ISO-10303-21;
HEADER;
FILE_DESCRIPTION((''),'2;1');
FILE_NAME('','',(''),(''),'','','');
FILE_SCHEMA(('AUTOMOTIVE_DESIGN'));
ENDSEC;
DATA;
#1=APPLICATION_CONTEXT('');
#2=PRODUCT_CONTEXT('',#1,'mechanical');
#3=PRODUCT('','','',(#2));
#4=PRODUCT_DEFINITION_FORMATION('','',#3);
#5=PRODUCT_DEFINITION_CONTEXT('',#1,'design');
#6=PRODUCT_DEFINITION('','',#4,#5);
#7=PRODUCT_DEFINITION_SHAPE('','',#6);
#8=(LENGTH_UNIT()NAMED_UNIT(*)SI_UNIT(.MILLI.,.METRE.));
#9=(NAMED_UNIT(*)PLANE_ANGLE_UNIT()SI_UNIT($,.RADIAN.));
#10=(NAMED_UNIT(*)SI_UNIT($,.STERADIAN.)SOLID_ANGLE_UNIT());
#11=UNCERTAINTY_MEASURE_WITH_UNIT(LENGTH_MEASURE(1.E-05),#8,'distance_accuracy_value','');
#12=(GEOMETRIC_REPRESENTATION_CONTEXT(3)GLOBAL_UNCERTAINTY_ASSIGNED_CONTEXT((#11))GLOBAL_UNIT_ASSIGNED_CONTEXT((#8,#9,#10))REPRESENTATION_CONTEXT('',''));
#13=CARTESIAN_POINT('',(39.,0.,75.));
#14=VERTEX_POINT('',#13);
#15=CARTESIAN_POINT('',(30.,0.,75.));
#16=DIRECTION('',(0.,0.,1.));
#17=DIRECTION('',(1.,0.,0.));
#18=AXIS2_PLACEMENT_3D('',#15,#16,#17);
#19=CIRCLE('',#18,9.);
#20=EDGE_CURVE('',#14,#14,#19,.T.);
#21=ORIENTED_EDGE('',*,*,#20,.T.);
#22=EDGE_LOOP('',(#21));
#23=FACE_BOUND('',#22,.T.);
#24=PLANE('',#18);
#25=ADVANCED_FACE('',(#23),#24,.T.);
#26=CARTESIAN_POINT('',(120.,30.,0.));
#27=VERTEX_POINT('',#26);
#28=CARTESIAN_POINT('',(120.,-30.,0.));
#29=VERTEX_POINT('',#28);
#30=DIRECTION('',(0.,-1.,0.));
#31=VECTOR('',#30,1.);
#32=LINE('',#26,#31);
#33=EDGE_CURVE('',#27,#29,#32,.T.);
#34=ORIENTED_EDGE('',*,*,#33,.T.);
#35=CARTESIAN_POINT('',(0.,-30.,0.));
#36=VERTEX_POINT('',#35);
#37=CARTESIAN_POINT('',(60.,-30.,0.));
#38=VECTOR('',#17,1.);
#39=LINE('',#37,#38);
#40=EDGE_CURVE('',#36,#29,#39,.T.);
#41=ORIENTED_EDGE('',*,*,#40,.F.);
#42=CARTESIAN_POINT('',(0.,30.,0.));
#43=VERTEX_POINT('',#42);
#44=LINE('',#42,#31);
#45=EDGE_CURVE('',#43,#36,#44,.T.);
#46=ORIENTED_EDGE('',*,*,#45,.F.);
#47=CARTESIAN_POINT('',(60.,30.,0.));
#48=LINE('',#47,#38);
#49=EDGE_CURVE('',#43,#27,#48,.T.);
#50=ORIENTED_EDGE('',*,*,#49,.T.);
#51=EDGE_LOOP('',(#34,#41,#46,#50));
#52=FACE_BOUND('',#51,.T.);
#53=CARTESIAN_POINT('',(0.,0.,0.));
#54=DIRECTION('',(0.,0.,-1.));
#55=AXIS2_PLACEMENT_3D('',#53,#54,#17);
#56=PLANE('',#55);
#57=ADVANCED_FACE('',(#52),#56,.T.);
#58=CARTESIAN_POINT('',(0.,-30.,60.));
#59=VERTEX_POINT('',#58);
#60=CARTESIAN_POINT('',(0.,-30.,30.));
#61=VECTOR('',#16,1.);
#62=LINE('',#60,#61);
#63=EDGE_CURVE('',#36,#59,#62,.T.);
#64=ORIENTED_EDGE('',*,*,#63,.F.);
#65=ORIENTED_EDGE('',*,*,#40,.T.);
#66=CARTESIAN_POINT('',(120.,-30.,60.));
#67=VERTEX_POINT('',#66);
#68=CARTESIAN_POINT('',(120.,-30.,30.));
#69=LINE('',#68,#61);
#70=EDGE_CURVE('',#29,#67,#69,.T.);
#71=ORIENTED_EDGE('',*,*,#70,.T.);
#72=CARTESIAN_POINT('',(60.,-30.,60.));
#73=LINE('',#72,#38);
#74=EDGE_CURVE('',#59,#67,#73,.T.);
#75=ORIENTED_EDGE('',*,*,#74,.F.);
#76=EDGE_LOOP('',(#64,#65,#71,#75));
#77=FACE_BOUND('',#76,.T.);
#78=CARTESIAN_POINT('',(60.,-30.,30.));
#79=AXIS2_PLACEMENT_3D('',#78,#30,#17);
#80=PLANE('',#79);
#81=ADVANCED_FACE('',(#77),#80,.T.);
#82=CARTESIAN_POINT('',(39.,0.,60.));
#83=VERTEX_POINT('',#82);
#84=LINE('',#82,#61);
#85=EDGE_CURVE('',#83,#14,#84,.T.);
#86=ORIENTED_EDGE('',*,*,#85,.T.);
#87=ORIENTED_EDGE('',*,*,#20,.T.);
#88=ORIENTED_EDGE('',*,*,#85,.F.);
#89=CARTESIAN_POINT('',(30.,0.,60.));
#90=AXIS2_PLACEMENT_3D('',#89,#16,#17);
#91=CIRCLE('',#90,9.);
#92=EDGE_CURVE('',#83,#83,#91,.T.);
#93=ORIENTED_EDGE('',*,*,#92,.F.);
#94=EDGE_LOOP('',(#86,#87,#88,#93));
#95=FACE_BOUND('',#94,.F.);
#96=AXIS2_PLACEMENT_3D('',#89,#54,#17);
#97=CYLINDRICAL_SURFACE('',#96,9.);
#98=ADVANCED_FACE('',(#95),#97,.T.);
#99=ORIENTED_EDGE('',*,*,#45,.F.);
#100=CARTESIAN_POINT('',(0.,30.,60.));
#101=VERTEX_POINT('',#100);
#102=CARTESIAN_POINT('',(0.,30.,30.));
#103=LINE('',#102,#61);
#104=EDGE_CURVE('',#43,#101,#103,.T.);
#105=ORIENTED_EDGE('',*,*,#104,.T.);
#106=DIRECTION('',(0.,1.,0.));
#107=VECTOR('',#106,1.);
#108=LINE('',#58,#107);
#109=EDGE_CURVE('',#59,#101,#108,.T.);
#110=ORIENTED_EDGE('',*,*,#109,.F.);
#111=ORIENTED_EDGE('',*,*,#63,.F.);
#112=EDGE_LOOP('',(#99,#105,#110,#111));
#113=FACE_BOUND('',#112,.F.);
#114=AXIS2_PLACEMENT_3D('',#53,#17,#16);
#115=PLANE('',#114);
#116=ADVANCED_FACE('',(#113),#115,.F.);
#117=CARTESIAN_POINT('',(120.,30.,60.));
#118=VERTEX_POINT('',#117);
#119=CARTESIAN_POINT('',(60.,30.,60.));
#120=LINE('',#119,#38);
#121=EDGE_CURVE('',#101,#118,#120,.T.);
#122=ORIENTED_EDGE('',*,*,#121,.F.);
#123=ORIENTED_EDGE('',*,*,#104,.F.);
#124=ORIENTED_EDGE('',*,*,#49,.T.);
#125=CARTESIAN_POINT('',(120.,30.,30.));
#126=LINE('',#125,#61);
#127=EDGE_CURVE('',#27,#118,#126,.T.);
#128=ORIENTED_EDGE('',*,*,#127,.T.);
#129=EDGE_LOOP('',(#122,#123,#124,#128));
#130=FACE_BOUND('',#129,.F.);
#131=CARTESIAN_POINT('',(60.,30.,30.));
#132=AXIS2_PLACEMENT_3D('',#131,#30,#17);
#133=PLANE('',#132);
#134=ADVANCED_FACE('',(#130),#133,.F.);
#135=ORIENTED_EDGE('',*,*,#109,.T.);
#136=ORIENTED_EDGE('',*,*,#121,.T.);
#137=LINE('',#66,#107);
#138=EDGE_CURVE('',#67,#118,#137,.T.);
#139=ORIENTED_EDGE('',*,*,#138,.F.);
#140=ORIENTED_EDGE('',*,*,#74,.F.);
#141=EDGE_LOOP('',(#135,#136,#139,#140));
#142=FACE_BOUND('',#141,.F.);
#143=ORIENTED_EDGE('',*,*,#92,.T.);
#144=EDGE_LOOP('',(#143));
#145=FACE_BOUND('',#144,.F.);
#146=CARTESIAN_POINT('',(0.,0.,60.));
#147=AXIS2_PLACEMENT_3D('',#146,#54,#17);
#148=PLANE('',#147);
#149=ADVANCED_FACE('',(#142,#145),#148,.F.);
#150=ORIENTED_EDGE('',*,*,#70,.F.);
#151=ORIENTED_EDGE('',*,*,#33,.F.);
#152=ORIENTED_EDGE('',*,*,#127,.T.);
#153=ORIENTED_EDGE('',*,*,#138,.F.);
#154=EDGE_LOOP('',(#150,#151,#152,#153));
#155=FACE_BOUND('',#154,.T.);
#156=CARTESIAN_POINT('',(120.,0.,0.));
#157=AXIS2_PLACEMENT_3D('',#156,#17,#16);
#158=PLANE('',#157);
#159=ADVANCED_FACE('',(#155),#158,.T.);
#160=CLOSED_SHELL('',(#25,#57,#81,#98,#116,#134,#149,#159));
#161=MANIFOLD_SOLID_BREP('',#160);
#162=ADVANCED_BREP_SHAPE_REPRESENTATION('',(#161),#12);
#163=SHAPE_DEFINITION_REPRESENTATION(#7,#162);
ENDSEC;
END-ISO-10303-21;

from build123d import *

# Parameters (mm, degrees)
F0_W     = 120
F0_H     = 60
F1_DEPTH = 30
F2_R     = 9
F3_DEPTH = 15


with BuildPart() as f1:
    # F0 (on Front) → F1 (new body, symmetric)
    with BuildSketch(Plane.XZ):
        with Locations((60, 30)):
            Rectangle(F0_W, F0_H)
    extrude(amount=F1_DEPTH, both=True)

    # F2 (on face) → F3 (join)
    with BuildSketch(Plane.XY.offset(60)):
        with Locations((30, 0)):
            Circle(F2_R)
    extrude(amount=F3_DEPTH)


solid = f1.part
